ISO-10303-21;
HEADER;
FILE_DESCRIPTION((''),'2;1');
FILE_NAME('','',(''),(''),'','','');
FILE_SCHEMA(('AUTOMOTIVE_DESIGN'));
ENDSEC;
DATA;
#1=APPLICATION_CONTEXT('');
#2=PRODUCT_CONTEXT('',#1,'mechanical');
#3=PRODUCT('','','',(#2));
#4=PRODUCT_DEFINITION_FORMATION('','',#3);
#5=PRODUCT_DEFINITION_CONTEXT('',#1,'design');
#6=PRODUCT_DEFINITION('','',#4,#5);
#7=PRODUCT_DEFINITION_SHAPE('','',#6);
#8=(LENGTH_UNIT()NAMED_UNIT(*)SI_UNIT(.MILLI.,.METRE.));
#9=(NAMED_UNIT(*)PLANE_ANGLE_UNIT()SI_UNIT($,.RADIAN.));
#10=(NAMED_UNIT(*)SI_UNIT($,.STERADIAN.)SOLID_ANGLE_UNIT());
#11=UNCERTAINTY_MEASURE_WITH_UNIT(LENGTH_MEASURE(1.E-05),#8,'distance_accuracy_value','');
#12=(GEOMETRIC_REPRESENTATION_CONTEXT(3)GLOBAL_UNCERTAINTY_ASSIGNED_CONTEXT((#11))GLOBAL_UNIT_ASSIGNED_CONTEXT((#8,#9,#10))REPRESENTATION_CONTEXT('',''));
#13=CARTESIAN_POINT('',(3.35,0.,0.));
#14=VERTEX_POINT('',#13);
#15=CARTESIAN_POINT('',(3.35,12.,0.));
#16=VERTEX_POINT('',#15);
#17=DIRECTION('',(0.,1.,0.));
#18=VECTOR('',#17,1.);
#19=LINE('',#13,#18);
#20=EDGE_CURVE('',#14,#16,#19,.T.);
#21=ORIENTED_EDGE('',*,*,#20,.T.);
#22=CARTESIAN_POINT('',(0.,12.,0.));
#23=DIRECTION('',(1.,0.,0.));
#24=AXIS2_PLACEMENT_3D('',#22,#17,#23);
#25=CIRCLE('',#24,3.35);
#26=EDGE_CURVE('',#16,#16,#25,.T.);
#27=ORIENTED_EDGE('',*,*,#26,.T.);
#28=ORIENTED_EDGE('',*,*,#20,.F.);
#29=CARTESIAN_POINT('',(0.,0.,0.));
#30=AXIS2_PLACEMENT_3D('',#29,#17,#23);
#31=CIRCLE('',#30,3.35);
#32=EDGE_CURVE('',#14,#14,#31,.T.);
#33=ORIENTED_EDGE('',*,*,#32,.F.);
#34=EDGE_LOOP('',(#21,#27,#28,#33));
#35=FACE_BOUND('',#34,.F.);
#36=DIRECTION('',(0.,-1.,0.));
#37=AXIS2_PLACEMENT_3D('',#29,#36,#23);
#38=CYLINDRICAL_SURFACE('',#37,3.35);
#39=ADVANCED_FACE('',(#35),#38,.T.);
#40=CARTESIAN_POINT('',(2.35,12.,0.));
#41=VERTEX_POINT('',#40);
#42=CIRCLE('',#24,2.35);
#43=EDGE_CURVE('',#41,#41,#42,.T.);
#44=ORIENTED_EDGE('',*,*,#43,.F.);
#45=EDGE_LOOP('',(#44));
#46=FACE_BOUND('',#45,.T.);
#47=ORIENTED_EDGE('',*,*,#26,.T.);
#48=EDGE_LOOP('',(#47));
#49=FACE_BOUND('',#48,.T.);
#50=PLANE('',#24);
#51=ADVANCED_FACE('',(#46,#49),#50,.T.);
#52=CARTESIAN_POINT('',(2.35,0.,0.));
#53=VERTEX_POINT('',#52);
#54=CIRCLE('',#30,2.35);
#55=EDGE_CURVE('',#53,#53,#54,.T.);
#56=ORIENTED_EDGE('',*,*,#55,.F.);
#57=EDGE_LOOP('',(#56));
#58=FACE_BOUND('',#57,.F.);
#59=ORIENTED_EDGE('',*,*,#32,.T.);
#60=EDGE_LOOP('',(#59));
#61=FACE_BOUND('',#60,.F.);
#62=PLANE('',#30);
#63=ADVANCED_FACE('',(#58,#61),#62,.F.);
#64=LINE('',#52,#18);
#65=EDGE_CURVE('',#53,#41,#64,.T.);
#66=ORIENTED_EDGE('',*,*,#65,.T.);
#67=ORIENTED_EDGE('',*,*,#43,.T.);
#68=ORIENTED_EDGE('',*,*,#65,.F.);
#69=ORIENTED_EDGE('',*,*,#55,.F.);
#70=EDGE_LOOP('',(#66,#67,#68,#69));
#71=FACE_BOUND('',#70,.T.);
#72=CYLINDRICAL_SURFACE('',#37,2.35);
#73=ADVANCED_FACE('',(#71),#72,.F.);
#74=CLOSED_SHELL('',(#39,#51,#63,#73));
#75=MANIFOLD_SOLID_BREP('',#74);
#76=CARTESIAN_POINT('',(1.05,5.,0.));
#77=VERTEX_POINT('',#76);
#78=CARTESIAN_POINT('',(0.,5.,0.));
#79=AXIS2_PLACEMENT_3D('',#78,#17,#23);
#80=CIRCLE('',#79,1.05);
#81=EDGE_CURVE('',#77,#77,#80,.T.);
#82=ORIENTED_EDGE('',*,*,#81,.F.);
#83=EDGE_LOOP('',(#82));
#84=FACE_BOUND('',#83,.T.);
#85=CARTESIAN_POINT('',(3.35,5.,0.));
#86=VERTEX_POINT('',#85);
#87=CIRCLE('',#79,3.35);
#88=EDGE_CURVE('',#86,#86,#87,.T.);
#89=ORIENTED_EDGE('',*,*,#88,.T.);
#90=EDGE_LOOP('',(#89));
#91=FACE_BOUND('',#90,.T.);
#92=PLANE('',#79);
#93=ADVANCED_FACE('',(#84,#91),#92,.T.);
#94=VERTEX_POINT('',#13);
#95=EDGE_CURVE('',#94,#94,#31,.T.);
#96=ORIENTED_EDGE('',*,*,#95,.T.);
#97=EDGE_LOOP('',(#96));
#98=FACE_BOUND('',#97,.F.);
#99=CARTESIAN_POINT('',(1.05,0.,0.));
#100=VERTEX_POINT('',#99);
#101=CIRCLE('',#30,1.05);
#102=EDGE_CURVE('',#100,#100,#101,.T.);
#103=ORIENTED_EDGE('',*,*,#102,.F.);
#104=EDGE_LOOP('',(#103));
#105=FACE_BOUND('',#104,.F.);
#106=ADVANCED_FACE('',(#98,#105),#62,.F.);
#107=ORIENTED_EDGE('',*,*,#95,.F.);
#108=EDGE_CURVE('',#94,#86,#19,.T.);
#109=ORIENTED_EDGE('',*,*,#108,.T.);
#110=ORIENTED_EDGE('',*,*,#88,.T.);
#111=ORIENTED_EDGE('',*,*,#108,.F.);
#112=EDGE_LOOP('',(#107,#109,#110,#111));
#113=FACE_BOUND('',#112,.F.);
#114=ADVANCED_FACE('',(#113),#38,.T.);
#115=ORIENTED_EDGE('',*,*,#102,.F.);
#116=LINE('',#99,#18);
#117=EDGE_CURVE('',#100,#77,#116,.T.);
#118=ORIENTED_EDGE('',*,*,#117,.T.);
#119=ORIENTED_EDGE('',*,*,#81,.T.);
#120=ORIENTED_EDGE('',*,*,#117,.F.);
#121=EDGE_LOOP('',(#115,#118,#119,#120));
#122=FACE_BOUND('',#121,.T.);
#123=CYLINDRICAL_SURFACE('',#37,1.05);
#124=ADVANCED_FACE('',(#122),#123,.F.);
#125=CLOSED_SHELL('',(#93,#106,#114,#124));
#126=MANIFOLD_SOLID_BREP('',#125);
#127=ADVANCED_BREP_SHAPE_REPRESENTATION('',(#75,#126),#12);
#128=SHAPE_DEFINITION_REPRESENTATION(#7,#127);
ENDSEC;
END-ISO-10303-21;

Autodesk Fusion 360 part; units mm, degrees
sketch "Sketch1" plane through (0, 0, 0) normal (0, 1, 0) x (1, 0, 0)
  circle A0 centre (0, 0) radius 1.05
  circle A1 centre (0, 0) radius 2.35
  circle A2 centre (0, 0) radius 3.35
  circle A3 centre (0, 0) radius 1.55
  dimension "d1" = 2.1
  dimension "d2" = 4.7
  dimension "d5" = 1
  dimension "d6" = 0.5
extrude "Extrude4" add sketch "Sketch1" along normal blind 5 contours A1 | A2 | A3 makes body 1
extrude "Extrude3" add sketch "Sketch1" along normal blind 12 separate body contours A2 makes body 2
